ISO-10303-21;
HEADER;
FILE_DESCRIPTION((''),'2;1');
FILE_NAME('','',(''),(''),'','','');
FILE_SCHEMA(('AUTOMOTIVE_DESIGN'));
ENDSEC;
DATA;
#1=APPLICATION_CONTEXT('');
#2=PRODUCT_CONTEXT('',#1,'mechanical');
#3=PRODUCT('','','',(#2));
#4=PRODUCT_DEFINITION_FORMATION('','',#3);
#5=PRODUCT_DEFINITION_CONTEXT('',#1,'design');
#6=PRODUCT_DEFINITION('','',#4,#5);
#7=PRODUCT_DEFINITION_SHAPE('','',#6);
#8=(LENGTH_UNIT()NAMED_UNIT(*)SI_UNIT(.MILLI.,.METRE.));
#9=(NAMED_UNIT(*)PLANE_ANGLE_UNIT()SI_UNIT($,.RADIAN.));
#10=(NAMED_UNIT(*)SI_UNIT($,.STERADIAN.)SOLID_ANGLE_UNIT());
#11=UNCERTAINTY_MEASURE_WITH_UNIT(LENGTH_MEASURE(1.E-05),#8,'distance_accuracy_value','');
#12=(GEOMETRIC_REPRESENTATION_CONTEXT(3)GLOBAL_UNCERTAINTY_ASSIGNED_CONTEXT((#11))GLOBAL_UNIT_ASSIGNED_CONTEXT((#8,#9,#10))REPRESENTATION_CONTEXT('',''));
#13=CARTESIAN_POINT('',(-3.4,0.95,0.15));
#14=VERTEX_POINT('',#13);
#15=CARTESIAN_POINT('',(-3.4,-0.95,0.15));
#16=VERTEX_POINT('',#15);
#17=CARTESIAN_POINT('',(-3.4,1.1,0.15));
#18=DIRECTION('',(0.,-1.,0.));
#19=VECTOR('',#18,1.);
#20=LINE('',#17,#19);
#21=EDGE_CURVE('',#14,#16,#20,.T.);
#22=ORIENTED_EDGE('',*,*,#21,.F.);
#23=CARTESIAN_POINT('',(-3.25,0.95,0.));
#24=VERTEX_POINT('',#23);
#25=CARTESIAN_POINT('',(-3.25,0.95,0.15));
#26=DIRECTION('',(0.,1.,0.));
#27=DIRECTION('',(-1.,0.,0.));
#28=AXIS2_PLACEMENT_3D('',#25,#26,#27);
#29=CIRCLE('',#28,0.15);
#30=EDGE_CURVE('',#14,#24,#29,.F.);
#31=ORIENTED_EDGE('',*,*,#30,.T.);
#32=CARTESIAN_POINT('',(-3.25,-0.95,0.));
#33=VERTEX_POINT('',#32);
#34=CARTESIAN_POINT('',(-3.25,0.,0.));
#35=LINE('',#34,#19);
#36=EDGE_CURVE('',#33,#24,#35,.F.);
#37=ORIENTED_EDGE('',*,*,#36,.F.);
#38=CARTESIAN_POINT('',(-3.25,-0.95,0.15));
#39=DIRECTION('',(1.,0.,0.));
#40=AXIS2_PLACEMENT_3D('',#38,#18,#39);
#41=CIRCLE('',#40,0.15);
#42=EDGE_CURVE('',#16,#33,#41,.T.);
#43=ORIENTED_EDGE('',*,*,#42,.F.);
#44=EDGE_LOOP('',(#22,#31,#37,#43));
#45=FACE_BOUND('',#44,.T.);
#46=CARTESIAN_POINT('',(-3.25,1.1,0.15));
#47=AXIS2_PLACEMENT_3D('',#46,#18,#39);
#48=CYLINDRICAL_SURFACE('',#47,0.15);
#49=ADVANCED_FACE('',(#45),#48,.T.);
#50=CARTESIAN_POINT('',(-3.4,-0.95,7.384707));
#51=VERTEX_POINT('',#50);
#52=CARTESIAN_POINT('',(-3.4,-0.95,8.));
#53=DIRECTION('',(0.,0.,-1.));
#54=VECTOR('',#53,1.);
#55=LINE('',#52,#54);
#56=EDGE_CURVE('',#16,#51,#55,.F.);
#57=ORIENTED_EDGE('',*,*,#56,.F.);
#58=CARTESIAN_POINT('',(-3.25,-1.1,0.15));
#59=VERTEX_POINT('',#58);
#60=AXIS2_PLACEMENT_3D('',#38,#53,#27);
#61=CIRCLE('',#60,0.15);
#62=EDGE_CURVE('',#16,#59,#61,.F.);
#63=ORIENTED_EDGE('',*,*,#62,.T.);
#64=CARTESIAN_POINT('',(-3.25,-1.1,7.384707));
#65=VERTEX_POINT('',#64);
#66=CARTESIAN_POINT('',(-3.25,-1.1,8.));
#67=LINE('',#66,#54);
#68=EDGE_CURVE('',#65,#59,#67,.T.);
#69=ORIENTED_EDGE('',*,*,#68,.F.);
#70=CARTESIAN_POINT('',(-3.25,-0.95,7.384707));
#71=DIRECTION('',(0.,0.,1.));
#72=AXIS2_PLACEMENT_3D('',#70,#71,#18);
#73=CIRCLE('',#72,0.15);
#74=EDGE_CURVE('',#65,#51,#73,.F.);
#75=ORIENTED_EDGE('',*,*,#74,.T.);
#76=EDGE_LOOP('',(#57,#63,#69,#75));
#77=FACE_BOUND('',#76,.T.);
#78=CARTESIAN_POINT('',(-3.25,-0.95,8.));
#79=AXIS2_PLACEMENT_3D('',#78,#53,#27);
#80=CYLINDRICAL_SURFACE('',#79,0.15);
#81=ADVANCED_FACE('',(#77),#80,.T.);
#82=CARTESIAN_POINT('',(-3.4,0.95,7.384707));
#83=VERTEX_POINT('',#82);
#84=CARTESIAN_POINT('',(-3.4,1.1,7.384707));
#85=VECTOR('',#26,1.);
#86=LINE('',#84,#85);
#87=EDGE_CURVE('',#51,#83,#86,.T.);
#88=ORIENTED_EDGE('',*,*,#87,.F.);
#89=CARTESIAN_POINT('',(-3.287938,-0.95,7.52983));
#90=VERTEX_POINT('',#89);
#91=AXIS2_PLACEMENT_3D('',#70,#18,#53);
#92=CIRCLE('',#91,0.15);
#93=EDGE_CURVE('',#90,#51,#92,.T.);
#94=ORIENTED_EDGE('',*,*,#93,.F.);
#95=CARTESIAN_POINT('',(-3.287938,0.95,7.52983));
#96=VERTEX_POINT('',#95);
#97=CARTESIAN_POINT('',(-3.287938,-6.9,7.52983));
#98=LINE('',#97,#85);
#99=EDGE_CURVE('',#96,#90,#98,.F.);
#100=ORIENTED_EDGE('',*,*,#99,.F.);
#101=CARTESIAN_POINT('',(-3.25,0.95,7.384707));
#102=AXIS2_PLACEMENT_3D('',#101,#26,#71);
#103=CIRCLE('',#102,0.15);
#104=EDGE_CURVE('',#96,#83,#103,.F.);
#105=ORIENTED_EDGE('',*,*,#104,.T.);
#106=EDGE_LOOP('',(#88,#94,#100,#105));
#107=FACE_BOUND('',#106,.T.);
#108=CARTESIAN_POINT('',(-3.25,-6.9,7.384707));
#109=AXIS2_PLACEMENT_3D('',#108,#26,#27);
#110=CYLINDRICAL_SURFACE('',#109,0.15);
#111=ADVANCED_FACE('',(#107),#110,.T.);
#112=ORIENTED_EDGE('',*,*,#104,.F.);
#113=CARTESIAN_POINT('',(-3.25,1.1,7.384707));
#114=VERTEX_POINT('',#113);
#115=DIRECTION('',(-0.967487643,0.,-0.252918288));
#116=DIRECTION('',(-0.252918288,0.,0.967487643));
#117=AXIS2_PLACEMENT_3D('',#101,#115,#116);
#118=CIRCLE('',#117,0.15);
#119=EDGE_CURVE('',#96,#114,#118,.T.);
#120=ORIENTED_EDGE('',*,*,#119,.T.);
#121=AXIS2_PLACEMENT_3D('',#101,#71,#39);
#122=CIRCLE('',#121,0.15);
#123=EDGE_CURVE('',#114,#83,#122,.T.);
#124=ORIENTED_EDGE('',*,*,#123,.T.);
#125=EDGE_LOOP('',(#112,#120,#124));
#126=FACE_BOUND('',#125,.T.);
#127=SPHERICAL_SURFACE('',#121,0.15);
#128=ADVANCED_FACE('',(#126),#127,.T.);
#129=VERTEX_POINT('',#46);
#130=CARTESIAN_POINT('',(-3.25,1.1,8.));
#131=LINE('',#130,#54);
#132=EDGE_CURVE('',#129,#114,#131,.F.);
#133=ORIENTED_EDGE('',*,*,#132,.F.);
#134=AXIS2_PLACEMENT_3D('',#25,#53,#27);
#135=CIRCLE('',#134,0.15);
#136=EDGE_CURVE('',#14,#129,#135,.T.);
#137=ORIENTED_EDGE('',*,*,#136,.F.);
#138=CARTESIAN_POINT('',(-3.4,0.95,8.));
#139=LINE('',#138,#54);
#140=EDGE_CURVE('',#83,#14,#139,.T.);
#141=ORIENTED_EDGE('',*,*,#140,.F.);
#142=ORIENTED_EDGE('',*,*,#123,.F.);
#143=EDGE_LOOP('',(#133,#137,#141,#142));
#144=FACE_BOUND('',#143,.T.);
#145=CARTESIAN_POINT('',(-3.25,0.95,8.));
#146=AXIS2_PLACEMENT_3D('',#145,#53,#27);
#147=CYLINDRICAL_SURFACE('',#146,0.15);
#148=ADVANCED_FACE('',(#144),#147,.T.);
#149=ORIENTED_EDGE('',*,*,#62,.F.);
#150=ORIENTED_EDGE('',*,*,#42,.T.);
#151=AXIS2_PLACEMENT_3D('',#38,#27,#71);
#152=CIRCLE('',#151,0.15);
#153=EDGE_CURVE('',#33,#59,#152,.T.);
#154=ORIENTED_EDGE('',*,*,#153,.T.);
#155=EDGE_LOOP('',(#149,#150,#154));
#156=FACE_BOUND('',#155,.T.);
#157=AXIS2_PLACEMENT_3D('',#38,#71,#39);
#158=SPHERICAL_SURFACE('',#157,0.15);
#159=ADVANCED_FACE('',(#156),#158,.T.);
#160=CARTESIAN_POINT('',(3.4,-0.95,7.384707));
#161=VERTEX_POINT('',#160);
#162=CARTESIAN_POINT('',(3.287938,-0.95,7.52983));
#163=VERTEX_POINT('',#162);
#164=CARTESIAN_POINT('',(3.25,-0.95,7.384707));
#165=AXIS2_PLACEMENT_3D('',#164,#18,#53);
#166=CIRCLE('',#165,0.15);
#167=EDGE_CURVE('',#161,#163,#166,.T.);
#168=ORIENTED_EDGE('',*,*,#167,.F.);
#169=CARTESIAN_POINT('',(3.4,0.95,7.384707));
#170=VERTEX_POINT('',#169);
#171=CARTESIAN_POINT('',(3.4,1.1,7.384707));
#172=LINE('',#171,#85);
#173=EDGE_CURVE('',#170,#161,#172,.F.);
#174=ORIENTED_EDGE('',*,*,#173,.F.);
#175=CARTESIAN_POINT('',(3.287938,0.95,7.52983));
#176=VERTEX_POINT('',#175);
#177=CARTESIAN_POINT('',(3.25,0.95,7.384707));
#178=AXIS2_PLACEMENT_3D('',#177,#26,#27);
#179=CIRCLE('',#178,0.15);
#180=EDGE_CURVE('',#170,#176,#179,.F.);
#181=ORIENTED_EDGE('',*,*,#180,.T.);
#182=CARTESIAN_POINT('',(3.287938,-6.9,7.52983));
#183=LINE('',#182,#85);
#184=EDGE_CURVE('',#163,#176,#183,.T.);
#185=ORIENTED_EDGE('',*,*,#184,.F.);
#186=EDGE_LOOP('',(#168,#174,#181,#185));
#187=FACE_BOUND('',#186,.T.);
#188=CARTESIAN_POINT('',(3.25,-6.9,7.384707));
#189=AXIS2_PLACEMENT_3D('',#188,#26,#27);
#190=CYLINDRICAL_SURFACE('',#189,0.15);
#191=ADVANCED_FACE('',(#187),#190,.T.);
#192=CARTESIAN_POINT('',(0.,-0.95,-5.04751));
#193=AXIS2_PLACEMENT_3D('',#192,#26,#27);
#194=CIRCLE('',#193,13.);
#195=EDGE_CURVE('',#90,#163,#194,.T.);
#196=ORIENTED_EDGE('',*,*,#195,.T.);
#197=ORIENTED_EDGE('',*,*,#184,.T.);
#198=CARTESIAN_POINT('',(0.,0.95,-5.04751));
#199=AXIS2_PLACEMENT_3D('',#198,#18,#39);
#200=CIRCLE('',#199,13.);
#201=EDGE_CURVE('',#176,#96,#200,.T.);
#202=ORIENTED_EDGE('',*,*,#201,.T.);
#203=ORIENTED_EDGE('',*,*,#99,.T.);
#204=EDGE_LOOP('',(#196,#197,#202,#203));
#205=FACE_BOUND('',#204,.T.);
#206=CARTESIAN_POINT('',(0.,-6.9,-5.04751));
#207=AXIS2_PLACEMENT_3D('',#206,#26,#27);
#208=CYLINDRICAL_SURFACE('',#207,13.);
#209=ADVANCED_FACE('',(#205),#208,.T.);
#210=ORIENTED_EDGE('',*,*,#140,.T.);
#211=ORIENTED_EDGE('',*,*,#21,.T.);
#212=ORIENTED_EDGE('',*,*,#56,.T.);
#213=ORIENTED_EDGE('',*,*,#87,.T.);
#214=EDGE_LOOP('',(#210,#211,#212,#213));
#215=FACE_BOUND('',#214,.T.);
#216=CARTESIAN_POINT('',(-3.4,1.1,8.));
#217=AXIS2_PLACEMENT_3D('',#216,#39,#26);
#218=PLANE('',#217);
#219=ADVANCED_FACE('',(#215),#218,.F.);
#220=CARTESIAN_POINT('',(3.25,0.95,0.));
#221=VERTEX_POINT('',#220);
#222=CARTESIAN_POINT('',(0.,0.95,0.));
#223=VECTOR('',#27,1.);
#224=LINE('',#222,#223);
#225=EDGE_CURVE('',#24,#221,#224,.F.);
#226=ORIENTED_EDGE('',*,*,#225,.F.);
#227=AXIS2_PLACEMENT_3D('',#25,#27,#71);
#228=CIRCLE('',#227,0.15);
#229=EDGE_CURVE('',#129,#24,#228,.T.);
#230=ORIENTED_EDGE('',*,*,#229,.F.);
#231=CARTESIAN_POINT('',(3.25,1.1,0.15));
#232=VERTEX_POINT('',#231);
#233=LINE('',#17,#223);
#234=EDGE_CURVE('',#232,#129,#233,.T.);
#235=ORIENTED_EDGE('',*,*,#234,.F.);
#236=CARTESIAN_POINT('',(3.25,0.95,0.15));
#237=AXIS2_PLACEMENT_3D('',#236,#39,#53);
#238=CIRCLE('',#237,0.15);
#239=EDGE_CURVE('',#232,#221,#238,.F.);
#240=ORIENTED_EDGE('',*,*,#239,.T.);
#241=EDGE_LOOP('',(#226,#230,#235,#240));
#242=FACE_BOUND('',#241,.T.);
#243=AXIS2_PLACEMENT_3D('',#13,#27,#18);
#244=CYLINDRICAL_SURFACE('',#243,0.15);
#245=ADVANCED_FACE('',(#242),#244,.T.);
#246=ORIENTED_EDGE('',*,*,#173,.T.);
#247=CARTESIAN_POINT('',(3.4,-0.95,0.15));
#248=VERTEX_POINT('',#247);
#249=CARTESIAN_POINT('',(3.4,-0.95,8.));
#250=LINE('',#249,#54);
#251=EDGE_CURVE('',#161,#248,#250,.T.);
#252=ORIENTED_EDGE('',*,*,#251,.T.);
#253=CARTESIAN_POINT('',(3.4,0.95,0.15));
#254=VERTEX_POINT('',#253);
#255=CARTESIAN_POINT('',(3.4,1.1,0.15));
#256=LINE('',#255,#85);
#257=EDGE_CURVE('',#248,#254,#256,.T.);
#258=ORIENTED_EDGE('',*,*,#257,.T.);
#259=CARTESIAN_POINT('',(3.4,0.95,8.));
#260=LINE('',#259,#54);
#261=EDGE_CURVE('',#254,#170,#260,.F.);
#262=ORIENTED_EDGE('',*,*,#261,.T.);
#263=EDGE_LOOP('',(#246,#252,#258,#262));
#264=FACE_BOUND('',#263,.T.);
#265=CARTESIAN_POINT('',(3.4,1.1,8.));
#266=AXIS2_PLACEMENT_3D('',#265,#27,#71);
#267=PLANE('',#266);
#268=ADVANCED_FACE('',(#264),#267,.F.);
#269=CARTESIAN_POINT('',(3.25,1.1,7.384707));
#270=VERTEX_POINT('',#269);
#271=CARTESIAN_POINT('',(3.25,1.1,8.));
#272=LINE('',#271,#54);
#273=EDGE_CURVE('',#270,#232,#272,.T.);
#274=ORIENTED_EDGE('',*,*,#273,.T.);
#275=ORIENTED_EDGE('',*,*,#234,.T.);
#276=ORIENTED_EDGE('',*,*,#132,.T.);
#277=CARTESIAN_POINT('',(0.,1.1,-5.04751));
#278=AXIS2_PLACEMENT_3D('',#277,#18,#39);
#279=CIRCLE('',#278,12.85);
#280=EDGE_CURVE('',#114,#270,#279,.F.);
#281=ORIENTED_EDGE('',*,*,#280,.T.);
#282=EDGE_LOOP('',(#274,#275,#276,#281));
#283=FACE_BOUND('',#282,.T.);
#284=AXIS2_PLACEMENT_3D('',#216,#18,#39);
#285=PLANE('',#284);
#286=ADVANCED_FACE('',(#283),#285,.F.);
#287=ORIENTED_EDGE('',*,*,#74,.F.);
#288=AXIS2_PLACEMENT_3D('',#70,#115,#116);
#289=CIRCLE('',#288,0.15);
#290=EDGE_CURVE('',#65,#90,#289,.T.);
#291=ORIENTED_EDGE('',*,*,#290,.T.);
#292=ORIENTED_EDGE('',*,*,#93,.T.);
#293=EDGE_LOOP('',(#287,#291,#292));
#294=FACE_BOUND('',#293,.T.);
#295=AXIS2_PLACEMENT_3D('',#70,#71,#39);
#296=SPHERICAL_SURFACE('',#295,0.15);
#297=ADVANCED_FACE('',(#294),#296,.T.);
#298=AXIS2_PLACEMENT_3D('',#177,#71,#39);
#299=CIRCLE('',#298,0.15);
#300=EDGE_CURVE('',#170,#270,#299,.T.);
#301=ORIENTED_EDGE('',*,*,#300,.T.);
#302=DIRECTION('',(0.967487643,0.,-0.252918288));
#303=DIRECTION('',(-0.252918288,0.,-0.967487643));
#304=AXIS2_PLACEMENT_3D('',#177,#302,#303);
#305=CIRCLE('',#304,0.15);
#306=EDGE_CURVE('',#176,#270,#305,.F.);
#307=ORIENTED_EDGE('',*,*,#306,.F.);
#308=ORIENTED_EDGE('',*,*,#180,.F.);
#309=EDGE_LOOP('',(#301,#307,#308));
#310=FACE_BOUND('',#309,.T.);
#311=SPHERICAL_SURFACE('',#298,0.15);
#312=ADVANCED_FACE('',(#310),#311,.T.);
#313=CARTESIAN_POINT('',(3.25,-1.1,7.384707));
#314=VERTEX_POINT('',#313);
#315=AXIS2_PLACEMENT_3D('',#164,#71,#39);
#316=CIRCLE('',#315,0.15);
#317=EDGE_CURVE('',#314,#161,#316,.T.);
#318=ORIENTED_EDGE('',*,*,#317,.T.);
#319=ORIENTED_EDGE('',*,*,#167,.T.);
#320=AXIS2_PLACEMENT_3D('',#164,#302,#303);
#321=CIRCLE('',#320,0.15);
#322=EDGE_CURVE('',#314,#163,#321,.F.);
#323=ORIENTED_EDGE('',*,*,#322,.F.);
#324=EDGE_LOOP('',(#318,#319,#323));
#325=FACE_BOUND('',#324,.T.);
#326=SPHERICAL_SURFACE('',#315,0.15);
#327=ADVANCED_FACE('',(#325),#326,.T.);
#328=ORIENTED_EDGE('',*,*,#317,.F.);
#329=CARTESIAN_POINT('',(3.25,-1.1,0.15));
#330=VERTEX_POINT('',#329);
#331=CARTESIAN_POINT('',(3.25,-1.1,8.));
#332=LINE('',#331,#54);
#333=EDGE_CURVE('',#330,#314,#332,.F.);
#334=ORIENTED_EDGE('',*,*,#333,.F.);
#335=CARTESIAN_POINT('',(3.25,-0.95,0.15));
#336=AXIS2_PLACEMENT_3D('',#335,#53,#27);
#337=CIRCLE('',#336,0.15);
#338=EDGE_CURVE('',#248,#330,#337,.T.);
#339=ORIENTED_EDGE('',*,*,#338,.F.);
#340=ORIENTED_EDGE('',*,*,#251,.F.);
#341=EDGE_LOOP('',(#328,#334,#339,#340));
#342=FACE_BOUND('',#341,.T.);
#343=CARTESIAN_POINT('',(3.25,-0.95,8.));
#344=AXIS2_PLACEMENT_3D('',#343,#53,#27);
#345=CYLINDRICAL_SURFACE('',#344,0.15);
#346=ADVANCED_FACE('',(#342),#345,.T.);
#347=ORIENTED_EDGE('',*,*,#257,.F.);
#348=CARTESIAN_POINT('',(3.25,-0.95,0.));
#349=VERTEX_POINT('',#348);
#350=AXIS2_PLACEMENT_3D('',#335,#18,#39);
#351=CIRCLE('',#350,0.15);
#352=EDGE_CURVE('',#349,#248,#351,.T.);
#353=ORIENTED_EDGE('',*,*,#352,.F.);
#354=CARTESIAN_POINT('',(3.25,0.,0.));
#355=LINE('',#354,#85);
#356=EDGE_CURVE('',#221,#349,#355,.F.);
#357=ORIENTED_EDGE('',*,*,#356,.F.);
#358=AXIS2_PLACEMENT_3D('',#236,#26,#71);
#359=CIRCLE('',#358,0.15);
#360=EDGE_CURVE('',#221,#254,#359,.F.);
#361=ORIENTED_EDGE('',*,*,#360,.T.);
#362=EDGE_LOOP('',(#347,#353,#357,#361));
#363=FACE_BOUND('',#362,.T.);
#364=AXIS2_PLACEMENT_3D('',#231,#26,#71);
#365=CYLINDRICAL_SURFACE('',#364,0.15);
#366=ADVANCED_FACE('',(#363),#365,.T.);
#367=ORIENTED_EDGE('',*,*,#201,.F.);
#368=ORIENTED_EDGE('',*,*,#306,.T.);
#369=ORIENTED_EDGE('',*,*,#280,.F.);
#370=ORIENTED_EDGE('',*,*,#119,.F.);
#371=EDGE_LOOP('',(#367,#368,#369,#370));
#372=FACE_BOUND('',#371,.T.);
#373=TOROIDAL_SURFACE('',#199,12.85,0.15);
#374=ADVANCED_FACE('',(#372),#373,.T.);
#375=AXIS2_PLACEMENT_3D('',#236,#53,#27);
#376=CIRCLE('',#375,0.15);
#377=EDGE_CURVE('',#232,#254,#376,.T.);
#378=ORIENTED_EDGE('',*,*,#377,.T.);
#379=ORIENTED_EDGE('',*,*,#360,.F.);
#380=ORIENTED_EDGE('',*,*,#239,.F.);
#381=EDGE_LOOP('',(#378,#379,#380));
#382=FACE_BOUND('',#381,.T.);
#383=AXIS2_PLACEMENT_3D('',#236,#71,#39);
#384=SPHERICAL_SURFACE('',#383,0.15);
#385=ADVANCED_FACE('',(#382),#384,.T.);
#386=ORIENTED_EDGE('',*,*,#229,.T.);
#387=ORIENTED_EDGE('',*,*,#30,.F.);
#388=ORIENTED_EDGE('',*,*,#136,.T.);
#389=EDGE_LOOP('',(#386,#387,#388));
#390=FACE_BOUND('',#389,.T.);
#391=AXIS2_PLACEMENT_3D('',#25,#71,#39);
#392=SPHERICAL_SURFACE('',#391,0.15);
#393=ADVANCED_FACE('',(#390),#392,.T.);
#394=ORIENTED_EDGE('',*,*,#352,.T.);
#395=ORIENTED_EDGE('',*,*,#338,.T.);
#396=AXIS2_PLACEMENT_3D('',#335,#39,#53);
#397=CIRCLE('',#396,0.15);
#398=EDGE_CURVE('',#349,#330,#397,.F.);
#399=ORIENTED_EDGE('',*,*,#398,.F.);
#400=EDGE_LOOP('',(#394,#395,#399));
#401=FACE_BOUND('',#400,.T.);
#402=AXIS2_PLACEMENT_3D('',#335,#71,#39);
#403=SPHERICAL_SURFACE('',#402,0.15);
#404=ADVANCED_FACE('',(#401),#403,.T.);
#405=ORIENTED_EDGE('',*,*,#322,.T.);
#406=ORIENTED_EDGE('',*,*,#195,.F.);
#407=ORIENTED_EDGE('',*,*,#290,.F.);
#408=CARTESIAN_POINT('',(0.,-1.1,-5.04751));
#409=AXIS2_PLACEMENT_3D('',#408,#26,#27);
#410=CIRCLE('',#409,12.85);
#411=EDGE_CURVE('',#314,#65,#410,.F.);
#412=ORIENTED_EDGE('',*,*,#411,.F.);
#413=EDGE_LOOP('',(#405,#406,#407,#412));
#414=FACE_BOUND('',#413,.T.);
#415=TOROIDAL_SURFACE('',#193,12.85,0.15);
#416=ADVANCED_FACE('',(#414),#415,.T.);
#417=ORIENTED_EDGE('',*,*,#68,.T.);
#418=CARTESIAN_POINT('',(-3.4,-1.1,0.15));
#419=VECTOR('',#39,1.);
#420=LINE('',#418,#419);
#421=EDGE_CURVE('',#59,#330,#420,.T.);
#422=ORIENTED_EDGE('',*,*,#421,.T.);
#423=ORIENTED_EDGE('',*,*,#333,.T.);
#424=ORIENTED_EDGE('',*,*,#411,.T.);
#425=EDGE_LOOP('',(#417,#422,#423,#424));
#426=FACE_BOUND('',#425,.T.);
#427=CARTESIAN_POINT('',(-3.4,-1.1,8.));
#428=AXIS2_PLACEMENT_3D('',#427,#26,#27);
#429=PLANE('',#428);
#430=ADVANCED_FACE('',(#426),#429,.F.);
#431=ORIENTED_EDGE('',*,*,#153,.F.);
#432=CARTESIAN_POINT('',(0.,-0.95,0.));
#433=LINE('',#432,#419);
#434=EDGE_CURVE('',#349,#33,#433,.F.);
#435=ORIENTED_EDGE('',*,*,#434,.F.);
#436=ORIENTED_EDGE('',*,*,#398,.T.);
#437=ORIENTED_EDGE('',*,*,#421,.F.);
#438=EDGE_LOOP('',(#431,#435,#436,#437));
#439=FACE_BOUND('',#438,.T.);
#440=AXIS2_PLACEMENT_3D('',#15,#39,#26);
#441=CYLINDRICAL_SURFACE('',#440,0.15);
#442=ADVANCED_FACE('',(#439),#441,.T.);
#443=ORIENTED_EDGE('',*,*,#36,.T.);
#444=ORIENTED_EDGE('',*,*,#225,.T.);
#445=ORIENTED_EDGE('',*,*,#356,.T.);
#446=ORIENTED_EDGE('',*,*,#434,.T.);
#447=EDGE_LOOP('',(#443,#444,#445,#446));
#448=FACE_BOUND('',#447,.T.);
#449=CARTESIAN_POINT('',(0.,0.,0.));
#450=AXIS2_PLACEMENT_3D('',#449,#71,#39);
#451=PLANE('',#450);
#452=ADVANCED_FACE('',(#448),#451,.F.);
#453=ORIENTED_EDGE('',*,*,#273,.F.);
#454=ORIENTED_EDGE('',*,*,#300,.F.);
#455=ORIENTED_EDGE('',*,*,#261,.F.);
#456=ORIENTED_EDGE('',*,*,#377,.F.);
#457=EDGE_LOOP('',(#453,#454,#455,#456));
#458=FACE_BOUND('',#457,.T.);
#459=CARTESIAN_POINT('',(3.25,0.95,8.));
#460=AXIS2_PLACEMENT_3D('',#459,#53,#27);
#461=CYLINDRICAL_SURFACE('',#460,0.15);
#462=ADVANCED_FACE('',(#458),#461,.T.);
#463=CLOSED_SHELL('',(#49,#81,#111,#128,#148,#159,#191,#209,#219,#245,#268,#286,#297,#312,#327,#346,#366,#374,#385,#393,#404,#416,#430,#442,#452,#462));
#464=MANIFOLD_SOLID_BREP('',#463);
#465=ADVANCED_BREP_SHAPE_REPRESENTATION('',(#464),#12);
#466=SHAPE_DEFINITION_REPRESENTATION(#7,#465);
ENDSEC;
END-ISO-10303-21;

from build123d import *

# Parameters (mm, degrees)
SKETCH1_W           = 6.8
SKETCH1_H           = 2.2
BOSS_EXTRUDE1_DEPTH = 8
CUT_EXTRUDE1_DEPTH  = 8
FILLET1_R           = 0.15


with BuildPart() as part:
    # Sketch1 → Boss-Extrude1 (new body)
    with BuildSketch(Plane.XY):
        Rectangle(SKETCH1_W, SKETCH1_H)
    extrude(amount=BOSS_EXTRUDE1_DEPTH)

    # Sketch2 → Cut-Extrude1 (cut)
    with BuildSketch(Plane(origin=(0, 1.1, 0), x_dir=(1, 0, 0), z_dir=(0, 1, 0))):
        with BuildLine():
            Line((-3.4, -7.5), (-4.338442441, -8.7499714))
            Line((-4.338442441, -8.7499714), (5.303990533, -8.971786502))
            Line((5.303990533, -8.971786502), (3.4, -7.5))
            ThreePointArc((3.4, -7.5), (0, -7.952490287), (-3.4, -7.5))
        make_face()
    extrude(amount=-CUT_EXTRUDE1_DEPTH, mode=Mode.SUBTRACT)

    # Fillet1
    fillet1_edges = [part.edges().sort_by_distance(p)[0] for p in [
        (-3.4, 1.1, 3.75),
        (3.4, 1.1, 3.75),
        (3.4, -1.1, 3.75),
        (-3.4, -1.1, 3.75),
        (0, -1.1, 7.952490287),
        (-3.4, 0, 7.5),
        (0, 1.1, 7.952490287),
        (3.4, 0, 7.5),
        (0, 1.1, 0),
        (3.4, 0, 0),
        (0, -1.1, 0),
        (-3.4, 0, 0),
    ]]
    fillet(fillet1_edges, radius=FILLET1_R)


solid = part.part
